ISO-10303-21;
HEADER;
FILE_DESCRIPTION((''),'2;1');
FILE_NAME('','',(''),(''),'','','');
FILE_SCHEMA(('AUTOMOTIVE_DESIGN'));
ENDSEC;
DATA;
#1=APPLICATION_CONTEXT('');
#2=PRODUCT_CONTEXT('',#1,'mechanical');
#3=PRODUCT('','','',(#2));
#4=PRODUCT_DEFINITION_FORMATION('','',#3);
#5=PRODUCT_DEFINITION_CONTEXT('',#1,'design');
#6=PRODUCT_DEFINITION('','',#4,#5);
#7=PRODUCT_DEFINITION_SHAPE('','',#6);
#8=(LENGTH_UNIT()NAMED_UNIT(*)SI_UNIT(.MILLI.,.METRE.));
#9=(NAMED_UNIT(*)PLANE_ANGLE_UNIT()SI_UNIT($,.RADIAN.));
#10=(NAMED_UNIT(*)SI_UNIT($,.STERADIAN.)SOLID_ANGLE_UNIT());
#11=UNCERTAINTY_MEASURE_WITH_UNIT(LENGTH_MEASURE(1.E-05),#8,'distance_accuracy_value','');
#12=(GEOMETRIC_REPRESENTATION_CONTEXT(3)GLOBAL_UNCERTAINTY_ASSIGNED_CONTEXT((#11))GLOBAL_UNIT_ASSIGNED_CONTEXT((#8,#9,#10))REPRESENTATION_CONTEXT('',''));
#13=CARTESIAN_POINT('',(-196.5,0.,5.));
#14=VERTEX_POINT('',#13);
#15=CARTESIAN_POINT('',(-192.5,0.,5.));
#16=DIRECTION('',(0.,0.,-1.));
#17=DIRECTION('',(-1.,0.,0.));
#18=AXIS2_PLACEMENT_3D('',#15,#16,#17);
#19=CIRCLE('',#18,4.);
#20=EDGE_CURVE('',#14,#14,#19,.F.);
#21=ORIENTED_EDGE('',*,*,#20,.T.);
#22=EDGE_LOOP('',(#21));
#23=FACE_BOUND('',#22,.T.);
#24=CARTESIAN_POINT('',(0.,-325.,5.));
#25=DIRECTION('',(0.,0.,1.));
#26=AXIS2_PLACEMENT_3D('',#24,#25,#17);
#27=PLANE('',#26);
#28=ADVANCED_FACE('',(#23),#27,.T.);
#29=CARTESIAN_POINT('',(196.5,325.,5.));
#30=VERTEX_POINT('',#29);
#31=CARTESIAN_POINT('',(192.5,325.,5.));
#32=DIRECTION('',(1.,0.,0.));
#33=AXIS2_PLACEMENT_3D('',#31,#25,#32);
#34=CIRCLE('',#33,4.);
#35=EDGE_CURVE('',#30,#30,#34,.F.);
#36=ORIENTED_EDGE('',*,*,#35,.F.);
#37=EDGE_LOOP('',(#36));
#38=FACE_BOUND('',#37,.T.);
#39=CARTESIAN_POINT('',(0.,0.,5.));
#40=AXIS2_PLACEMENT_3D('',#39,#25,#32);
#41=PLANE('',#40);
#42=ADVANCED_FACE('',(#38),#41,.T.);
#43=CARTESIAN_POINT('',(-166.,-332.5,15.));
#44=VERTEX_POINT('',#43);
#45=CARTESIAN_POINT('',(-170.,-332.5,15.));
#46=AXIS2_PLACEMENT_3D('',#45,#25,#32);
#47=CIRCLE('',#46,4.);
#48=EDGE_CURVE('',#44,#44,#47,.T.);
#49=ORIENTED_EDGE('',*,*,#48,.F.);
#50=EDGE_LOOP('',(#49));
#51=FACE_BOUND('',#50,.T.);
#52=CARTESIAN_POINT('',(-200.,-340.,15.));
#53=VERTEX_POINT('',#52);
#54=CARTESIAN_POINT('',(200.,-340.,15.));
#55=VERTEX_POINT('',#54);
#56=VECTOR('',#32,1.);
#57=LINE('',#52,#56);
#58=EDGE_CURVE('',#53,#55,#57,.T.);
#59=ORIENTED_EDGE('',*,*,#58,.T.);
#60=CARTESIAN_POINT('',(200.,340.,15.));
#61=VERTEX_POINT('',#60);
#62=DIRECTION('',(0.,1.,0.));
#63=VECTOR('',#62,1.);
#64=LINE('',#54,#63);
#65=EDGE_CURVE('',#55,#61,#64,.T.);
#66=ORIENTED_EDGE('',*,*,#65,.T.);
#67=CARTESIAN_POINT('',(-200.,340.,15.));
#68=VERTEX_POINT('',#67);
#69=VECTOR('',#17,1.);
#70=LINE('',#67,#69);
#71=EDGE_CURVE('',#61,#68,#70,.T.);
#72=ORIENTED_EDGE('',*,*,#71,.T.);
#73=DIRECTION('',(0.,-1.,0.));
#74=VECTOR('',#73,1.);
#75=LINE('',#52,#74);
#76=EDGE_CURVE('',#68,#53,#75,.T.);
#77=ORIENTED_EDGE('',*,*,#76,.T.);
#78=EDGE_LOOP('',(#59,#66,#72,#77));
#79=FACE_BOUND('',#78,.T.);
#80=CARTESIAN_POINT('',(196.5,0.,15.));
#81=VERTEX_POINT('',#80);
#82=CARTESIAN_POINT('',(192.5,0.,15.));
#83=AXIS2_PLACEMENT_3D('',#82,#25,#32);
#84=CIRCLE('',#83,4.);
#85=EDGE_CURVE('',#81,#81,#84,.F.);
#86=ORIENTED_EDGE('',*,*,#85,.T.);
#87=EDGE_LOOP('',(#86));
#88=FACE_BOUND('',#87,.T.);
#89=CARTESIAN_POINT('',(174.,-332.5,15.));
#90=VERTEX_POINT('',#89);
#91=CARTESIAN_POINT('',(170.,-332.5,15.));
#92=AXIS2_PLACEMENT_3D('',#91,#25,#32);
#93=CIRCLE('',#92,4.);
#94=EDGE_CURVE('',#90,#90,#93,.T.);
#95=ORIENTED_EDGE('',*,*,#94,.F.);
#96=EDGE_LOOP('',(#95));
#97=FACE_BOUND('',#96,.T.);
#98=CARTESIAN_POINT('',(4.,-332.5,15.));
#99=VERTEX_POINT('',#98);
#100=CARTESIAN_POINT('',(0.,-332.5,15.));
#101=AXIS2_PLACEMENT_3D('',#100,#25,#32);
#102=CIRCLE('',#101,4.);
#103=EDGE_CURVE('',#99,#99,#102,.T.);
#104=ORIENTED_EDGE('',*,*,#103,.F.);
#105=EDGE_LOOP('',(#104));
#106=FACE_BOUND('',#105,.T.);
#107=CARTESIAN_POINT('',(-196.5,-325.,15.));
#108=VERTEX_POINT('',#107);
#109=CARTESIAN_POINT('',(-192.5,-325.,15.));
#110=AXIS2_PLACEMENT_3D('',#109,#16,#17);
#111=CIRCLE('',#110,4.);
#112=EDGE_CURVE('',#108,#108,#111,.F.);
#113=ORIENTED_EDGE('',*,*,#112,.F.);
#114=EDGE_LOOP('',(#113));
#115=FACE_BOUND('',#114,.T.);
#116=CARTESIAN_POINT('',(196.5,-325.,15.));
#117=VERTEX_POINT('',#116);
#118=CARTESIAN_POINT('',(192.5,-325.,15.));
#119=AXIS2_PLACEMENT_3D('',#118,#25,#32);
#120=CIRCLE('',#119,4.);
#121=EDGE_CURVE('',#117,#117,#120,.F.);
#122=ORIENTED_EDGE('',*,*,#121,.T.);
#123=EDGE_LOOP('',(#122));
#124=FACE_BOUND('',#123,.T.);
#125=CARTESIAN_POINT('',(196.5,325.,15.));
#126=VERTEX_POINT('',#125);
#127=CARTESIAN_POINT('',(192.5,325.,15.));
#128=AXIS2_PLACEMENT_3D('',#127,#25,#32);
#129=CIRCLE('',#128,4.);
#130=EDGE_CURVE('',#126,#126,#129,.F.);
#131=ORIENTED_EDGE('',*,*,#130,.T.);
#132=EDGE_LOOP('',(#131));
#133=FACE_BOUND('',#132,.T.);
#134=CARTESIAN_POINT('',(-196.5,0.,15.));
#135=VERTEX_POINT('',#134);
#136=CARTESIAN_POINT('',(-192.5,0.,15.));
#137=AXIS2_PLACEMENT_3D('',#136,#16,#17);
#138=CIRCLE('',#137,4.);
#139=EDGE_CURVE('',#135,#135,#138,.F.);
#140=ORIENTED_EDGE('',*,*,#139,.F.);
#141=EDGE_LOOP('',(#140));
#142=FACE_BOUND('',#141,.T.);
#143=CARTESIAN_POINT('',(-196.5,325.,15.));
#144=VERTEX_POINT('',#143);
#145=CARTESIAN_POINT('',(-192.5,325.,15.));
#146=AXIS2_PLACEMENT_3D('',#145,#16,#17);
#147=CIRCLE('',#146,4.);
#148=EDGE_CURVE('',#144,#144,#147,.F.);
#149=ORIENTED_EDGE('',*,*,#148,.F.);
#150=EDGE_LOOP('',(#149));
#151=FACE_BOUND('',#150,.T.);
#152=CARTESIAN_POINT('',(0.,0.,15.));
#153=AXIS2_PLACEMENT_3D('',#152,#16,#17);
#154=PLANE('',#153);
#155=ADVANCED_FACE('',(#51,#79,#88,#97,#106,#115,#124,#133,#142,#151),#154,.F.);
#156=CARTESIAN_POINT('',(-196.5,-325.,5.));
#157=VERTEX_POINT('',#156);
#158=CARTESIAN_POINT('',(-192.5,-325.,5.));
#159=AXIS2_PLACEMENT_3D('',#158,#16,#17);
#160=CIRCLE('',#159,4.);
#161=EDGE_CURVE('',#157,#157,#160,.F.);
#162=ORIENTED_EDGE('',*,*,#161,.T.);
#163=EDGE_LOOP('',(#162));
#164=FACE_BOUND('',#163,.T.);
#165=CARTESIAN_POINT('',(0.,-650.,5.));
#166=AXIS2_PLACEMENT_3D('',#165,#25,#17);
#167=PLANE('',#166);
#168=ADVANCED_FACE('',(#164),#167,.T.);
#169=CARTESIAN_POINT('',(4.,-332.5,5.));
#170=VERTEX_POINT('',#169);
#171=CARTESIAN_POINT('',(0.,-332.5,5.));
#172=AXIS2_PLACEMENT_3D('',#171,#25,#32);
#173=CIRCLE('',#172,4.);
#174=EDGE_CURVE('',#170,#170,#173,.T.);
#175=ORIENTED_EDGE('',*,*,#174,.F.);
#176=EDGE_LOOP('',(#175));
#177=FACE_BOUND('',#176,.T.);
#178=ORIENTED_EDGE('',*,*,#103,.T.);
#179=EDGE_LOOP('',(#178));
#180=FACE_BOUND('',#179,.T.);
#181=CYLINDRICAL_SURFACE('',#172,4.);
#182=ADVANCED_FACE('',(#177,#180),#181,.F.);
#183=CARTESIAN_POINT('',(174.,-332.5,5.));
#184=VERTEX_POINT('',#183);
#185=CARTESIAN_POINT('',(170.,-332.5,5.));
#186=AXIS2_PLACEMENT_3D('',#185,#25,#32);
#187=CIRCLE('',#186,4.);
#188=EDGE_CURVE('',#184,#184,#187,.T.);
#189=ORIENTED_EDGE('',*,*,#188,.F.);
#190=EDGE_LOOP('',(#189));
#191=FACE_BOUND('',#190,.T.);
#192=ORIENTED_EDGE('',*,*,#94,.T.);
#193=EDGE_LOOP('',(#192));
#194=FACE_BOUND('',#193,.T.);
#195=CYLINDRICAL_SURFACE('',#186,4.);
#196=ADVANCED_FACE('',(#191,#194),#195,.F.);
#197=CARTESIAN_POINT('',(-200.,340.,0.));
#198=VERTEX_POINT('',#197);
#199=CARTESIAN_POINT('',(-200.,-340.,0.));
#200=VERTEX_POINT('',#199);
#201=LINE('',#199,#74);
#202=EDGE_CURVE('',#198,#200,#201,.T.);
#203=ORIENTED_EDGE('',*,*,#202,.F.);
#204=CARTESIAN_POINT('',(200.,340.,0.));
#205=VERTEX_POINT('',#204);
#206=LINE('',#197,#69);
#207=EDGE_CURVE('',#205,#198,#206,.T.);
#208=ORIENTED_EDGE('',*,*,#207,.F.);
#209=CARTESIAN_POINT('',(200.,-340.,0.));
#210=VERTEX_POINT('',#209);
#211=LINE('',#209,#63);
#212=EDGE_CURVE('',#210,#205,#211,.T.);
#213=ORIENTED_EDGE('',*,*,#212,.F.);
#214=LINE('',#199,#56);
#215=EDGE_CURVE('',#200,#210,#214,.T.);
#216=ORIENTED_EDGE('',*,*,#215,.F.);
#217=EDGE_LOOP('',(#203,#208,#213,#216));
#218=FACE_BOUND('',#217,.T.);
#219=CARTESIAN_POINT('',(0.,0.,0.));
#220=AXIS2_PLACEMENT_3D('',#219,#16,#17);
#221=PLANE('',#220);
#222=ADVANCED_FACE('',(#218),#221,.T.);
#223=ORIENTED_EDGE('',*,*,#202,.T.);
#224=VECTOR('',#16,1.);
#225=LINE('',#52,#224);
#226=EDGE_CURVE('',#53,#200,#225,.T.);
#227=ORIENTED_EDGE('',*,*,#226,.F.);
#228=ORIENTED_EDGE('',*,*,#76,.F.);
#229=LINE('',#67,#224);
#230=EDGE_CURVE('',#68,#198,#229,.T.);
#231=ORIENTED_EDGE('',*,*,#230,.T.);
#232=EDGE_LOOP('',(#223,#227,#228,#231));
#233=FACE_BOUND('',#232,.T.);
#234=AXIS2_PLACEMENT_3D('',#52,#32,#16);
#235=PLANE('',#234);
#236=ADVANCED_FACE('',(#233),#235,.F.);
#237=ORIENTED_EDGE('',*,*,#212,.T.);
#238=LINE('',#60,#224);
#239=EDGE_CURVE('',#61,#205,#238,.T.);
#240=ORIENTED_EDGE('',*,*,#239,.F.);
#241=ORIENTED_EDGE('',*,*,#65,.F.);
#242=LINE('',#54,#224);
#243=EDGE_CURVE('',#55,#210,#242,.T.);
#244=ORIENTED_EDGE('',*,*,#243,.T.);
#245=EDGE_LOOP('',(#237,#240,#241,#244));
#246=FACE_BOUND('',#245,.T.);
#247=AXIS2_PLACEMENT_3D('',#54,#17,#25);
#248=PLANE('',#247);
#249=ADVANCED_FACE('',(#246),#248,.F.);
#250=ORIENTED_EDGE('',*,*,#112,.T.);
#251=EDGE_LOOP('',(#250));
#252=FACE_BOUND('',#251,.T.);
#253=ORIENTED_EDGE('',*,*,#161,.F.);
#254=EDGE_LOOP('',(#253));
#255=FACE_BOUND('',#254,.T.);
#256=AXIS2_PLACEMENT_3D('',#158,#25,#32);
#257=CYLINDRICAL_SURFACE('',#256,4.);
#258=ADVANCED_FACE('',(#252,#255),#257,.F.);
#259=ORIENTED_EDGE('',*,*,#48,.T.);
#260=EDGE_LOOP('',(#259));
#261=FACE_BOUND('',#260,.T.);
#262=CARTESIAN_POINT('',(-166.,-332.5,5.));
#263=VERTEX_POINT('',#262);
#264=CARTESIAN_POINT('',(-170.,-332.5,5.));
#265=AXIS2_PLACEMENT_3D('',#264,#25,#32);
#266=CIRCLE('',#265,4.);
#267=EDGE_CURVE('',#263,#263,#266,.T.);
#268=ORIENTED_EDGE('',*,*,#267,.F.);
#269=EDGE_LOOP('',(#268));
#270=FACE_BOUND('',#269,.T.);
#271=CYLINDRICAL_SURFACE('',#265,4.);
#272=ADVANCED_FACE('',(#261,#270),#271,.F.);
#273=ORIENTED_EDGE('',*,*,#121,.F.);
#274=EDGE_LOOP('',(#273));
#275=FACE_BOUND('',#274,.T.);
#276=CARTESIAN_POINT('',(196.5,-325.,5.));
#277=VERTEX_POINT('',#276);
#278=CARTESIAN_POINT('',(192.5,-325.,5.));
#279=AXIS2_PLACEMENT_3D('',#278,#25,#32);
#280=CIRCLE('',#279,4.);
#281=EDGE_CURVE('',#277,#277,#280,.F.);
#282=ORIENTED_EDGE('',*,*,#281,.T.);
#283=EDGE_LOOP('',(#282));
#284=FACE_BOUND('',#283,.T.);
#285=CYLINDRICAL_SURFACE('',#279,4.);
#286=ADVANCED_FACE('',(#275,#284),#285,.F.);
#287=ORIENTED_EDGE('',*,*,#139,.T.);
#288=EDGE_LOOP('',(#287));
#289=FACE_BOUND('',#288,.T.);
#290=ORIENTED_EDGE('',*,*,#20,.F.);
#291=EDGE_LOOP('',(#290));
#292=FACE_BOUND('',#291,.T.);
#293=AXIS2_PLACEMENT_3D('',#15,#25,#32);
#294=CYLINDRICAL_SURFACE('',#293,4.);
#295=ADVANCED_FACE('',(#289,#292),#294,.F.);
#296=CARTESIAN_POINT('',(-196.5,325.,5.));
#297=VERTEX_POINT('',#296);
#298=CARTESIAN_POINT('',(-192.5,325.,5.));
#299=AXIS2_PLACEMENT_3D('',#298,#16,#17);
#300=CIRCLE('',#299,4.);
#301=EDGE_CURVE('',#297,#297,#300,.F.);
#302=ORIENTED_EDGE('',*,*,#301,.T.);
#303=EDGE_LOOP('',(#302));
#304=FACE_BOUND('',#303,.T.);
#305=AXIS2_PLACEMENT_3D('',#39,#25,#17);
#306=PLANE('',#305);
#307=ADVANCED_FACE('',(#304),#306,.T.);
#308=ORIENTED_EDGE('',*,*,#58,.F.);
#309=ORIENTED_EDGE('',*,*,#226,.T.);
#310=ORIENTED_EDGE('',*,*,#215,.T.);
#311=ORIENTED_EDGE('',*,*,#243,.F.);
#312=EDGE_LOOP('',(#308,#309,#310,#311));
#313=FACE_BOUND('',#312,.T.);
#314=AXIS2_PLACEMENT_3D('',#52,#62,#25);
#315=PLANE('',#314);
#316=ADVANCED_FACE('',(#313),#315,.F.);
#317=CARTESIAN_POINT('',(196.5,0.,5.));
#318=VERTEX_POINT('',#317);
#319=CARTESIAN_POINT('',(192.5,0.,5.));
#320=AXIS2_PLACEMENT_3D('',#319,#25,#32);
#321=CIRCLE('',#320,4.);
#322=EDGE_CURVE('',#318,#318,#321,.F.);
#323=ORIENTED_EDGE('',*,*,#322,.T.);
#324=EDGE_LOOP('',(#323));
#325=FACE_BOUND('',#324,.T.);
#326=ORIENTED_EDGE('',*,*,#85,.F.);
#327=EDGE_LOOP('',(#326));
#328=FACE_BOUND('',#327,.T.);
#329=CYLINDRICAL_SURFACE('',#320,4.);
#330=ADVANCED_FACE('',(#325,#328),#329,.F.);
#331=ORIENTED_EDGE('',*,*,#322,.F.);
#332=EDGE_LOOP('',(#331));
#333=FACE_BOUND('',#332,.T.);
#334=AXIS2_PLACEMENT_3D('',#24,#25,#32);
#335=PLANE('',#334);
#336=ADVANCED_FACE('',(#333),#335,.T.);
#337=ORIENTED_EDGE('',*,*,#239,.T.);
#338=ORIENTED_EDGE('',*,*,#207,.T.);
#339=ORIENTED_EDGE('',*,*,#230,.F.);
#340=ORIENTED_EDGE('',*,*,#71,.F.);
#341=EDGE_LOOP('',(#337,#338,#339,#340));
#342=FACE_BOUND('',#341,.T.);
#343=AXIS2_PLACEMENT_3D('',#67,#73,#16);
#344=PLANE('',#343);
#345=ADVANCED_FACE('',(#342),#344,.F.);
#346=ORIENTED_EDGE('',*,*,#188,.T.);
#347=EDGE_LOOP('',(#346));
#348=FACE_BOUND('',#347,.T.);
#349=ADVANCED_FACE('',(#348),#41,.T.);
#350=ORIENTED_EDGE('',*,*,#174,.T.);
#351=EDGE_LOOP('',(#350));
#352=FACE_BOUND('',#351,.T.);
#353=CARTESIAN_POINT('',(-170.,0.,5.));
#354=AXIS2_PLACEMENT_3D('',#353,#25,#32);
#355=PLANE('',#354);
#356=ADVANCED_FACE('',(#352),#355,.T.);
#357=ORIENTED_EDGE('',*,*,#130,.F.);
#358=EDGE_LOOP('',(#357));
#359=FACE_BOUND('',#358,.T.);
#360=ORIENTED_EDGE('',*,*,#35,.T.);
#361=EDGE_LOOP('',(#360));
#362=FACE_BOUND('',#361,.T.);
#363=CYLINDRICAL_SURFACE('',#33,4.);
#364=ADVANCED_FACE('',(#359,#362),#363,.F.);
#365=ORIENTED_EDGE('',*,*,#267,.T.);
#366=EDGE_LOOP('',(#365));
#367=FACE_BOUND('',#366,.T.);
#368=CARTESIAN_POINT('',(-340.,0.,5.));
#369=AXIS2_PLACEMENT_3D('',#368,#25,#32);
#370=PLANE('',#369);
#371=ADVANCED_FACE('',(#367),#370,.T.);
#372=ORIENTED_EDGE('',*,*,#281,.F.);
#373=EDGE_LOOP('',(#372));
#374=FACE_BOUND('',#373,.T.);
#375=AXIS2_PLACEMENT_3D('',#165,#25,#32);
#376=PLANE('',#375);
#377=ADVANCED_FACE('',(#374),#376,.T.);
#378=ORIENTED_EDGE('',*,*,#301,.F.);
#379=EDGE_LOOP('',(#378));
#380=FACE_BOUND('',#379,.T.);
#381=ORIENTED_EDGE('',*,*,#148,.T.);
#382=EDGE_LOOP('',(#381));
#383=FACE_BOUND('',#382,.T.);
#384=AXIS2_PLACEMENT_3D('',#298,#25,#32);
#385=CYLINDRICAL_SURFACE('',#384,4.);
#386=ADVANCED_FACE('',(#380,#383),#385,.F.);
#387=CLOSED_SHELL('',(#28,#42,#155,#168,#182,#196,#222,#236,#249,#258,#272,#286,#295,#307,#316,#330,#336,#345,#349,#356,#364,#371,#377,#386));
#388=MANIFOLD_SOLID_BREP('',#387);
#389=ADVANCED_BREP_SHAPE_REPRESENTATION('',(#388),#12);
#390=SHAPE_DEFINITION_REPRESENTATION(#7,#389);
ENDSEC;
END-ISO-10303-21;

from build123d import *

# Parameters (mm, degrees)
SKETCH1_W               = 400
SKETCH1_H               = 680
BOSS_EXTRUDE1_DEPTH     = 15
SKETCH2_R               = 4
CUT_EXTRUDE1_DEPTH      = 10
LPATTERN1_COUNT         = 3
LPATTERN1_PITCH         = 325
MIRROR1_COPY_1_SKETCH_R = 4
MIRROR1_COPY_1_DEPTH    = 10
MIRROR1_COPY_2_SKETCH_R = 4
MIRROR1_COPY_2_DEPTH    = 10
SKETCH2_3_R             = 4
CUT_EXTRUDE2_DEPTH      = 10
LPATTERN2_COUNT         = 3
LPATTERN2_PITCH         = 170


with BuildPart() as part:
    # Sketch1 → Boss-Extrude1 (new body)
    with BuildSketch(Plane.XY):
        Rectangle(SKETCH1_W, SKETCH1_H)
    extrude(amount=BOSS_EXTRUDE1_DEPTH)

    # Sketch2 → Cut-Extrude1 (cut)
    with BuildSketch(Plane.XY.offset(15)):
        with Locations((192.5, 325)):
            Circle(SKETCH2_R)
    cut_extrude1 = extrude(amount=-CUT_EXTRUDE1_DEPTH, mode=Mode.SUBTRACT)

    # LPattern1: Cut-Extrude1 ×3
    with Locations(*[(0, -i * LPATTERN1_PITCH, 0) for i in range(1, LPATTERN1_COUNT)]):
        add(cut_extrude1, mode=Mode.SUBTRACT)

    # Mirror1: Cut-Extrude1 across plane
    add(cut_extrude1.mirror(Plane(origin=(0, 0, 0), x_dir=(0, 0, 1), z_dir=(1, 0, 0))), mode=Mode.SUBTRACT)

    # Mirror1 copy 1 sketch → Mirror1 copy 1 (cut)
    with BuildSketch(Plane(origin=(0, -325, 15), x_dir=(-1, 0, 0), z_dir=(0, 0, 1))):
        with Locations((192.5, -325)):
            Circle(MIRROR1_COPY_1_SKETCH_R)
    extrude(amount=-MIRROR1_COPY_1_DEPTH, mode=Mode.SUBTRACT)

    # Mirror1 copy 2 sketch → Mirror1 copy 2 (cut)
    with BuildSketch(Plane(origin=(0, -650, 15), x_dir=(-1, 0, 0), z_dir=(0, 0, 1))):
        with Locations((192.5, -325)):
            Circle(MIRROR1_COPY_2_SKETCH_R)
    extrude(amount=-MIRROR1_COPY_2_DEPTH, mode=Mode.SUBTRACT)

    # Sketch2<3> → Cut-Extrude2 (cut)
    with BuildSketch(Plane.XY.offset(15)):
        with Locations((170, -332.5)):
            Circle(SKETCH2_3_R)
    cut_extrude2 = extrude(amount=-CUT_EXTRUDE2_DEPTH, mode=Mode.SUBTRACT)

    # LPattern2: Cut-Extrude2 ×3
    with Locations(*[(-i * LPATTERN2_PITCH, 0, 0) for i in range(1, LPATTERN2_COUNT)]):
        add(cut_extrude2, mode=Mode.SUBTRACT)


solid = part.part
